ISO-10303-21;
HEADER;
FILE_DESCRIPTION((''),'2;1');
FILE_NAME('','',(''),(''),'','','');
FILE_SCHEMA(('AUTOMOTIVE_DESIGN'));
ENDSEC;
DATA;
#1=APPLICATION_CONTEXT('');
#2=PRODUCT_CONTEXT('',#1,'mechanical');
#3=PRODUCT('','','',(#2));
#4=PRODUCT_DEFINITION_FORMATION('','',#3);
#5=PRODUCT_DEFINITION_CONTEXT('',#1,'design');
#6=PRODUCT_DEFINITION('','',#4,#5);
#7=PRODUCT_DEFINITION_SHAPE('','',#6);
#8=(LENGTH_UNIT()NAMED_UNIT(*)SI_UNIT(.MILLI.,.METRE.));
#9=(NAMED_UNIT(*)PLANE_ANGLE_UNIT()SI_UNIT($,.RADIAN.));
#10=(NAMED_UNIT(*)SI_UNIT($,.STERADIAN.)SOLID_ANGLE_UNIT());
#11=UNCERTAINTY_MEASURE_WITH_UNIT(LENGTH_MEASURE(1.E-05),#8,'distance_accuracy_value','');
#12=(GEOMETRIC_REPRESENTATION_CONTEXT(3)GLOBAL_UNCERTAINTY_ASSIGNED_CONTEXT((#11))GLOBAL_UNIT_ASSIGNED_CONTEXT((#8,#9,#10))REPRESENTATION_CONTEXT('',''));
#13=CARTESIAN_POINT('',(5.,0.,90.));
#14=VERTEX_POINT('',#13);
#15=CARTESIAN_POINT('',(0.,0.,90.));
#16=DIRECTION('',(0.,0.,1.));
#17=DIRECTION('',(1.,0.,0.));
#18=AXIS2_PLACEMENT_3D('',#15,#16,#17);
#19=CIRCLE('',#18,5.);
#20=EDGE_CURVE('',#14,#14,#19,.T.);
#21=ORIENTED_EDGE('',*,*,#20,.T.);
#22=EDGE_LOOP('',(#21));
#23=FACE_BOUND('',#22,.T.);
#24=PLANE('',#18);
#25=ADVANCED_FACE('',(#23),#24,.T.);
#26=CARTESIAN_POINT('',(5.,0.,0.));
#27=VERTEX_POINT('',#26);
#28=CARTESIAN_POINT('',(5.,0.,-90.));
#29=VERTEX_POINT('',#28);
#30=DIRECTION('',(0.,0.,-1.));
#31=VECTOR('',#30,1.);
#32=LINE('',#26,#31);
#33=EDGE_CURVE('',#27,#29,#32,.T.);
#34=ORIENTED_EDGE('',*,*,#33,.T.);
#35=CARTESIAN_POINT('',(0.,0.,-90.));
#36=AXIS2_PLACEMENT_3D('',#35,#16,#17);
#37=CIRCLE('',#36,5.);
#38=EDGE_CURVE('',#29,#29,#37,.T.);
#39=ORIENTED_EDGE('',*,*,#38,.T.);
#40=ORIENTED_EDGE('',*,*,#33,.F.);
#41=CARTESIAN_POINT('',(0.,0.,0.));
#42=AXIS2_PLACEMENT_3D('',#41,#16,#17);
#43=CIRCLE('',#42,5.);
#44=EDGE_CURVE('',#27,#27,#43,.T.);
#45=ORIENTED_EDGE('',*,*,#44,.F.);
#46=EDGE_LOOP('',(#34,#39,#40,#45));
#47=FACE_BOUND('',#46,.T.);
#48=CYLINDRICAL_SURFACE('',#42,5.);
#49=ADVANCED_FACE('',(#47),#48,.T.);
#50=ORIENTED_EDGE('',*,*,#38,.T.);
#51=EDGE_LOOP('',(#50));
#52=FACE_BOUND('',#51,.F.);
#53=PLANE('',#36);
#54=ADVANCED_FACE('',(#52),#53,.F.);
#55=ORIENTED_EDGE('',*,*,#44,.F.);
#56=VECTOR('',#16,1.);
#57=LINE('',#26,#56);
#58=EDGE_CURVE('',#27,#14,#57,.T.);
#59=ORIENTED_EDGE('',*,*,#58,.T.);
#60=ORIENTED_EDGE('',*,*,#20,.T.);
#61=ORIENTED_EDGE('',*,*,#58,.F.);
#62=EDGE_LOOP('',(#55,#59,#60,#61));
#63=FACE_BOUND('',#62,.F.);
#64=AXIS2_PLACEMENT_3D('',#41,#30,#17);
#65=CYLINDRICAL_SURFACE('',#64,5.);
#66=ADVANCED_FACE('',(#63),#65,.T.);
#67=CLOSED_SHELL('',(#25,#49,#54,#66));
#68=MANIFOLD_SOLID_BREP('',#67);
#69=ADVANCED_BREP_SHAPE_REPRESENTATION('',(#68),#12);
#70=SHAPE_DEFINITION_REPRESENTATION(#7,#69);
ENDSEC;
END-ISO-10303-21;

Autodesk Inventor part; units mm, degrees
ref_plane "YZ Plane" through (0, 0, 0) normal (1, 0, 0) x (0, 1, 0)
ref_plane "XZ Plane" through (0, 0, 0) normal (0, 1, 0) x (-1, 0, 0)
ref_plane "XY Plane" through (0, 0, 0) normal (0, 0, 1) x (1, 0, 0)
sketch "Sketch1" plane through (0, 0, 0) normal (0, 0, 1) x (1, 0, 0)
  circle A0 centre (0, 0) radius 5
  dimension "d0" = 10
extrude "Extrusion1" add sketch "Sketch1" along normal mid plane 180
properties part number "eje"
